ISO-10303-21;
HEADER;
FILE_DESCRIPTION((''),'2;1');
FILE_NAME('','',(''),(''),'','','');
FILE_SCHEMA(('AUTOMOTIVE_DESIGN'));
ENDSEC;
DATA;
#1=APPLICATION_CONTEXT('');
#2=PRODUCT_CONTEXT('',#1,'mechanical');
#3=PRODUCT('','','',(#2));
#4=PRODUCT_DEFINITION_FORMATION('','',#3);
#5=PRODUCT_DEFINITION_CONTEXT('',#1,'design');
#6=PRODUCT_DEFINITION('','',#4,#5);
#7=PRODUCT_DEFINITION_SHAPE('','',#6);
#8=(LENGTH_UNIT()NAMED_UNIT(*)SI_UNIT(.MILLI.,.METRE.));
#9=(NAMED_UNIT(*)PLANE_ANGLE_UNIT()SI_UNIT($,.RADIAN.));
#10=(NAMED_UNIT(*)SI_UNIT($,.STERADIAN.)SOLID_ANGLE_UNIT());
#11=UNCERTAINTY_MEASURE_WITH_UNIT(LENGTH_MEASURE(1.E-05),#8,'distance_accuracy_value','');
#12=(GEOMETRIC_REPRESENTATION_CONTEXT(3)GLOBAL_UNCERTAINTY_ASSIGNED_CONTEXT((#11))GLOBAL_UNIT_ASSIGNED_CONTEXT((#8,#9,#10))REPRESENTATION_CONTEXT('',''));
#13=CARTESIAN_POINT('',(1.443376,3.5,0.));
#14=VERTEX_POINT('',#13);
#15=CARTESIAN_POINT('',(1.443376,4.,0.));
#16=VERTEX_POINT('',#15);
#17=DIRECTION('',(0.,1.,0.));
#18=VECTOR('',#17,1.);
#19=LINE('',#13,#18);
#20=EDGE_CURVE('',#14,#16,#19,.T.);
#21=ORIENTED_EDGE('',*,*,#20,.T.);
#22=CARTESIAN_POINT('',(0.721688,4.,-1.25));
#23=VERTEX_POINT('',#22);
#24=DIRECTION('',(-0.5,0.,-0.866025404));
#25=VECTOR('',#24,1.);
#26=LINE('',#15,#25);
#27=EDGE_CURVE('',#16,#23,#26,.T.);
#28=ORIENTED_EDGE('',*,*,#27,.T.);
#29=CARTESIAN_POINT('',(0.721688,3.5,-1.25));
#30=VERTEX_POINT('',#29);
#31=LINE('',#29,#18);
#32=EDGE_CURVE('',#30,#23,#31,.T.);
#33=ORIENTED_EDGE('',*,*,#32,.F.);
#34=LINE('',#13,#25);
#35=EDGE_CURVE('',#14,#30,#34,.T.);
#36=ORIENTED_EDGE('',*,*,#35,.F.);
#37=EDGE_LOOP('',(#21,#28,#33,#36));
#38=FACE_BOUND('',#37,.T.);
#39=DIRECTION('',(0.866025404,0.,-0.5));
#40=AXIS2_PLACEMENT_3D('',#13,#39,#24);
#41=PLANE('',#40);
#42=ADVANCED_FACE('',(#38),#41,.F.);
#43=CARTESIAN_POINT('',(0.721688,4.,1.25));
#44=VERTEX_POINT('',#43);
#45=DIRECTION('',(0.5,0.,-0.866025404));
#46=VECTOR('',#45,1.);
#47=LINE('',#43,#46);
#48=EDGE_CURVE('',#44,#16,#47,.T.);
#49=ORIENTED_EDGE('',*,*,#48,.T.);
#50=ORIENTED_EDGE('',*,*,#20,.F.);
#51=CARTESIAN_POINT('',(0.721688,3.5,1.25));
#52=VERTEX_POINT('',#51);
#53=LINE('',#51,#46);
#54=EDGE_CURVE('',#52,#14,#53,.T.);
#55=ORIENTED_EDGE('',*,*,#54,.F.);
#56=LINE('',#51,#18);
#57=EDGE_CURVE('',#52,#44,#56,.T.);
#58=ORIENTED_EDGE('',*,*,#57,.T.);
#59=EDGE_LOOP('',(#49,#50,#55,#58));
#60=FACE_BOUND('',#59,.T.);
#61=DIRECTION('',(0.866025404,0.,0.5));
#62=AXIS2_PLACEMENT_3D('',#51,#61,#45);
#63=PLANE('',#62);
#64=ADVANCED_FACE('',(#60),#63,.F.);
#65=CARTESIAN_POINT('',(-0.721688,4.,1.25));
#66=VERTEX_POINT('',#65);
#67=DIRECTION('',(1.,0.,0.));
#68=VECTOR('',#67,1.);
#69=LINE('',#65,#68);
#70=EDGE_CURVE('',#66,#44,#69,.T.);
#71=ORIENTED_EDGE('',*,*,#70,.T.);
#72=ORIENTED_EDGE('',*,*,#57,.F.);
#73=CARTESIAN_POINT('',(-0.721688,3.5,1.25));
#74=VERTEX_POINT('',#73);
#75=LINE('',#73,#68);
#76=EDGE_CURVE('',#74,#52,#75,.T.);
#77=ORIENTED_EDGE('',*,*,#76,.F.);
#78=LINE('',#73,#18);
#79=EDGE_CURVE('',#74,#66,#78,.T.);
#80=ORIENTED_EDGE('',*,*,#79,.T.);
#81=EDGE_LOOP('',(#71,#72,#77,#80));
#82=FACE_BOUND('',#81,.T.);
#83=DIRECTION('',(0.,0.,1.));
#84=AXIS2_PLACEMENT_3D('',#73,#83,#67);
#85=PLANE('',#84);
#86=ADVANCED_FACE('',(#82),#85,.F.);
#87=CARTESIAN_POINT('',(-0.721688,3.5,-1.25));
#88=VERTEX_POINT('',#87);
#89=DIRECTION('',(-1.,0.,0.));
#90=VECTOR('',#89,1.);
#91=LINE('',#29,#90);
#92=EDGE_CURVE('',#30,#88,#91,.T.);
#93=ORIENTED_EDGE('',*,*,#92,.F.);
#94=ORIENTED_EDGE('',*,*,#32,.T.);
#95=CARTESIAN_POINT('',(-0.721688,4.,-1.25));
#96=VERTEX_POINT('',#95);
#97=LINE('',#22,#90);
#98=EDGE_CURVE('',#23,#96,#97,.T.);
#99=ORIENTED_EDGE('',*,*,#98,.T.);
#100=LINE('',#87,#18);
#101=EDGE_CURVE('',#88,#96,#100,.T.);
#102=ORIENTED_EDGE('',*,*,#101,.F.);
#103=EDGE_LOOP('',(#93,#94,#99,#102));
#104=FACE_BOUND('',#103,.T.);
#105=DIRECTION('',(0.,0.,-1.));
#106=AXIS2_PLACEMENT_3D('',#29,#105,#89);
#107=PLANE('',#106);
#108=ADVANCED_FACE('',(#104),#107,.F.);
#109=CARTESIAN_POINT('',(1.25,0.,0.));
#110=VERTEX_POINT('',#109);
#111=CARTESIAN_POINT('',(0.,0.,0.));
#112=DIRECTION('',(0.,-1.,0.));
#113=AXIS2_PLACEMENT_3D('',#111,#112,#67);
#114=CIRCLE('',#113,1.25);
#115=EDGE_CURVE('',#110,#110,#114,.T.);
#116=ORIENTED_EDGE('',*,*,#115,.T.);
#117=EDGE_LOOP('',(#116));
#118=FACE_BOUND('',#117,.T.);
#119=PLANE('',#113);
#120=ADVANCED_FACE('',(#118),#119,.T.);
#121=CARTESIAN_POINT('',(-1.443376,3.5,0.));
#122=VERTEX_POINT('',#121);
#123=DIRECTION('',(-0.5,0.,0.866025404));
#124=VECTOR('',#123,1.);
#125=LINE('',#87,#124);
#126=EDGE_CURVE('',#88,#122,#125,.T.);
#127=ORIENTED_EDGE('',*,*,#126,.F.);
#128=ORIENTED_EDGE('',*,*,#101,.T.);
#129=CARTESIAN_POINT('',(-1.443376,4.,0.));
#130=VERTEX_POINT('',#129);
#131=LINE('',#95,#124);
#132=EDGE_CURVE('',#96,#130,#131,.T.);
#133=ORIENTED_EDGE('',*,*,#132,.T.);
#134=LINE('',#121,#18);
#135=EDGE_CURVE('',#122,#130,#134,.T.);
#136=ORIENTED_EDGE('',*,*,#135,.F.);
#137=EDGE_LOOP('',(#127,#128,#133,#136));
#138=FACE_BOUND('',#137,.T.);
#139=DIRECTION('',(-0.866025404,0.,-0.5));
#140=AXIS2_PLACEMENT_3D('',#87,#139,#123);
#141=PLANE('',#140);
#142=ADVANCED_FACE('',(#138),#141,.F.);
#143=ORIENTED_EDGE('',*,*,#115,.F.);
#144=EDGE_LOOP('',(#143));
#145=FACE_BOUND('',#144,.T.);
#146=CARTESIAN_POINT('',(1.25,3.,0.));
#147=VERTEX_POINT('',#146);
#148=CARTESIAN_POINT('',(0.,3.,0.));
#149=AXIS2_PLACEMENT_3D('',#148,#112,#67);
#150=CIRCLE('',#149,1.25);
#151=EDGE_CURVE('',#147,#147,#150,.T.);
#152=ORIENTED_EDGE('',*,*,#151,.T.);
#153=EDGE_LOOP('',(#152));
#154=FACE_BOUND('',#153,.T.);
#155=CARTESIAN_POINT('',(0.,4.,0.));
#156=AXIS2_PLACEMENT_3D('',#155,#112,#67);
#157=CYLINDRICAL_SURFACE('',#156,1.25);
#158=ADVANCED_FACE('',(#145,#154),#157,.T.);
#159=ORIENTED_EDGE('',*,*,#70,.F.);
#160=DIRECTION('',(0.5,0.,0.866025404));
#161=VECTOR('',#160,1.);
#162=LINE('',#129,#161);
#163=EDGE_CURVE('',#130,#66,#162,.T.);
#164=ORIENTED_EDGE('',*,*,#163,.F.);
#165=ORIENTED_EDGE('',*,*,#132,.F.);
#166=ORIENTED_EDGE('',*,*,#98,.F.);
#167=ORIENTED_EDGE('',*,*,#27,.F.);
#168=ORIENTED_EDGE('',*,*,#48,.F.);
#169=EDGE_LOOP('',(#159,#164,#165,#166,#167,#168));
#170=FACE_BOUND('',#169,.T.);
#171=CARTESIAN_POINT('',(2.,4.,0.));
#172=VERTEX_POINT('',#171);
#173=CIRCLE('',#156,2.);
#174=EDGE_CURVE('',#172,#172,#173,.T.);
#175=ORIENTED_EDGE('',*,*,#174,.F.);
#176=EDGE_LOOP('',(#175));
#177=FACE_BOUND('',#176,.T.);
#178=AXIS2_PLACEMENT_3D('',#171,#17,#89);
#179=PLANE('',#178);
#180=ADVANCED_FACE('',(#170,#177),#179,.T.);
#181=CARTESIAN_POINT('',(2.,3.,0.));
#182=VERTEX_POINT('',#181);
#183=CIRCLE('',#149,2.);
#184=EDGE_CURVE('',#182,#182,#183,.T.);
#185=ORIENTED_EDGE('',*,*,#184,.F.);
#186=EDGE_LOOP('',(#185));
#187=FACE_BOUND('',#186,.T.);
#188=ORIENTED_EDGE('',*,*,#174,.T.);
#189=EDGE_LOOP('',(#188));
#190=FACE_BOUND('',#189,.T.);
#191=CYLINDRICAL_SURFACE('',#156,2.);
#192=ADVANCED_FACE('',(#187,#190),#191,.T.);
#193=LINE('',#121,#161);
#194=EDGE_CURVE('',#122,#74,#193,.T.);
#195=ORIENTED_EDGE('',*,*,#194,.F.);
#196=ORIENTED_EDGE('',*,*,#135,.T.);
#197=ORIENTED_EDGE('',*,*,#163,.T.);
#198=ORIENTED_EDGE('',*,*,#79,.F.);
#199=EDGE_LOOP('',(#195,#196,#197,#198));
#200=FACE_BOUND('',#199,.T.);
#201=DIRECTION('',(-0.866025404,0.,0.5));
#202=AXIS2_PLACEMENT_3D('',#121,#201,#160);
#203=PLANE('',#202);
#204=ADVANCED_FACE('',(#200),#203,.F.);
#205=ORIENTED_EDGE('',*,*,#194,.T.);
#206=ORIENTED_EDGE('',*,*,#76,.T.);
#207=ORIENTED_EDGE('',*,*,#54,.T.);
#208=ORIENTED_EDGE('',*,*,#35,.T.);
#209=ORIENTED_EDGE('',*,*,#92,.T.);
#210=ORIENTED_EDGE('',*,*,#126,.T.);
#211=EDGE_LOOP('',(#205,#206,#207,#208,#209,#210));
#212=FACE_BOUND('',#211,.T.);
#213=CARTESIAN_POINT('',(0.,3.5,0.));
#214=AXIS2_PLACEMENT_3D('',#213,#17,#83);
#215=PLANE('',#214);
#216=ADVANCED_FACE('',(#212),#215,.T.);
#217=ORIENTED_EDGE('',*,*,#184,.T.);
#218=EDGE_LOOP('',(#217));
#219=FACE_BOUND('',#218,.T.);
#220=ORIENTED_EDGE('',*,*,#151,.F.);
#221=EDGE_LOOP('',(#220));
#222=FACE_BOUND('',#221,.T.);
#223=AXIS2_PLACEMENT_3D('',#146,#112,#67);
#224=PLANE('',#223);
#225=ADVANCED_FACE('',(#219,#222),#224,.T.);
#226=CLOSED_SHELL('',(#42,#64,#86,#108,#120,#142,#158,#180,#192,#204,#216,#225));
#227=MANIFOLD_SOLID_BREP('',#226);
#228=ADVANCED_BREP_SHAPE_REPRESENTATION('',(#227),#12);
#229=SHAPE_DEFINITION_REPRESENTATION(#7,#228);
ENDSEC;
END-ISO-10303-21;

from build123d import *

# Parameters (mm, degrees)
CUT_EXTRUDE_1_DEPTH = 0.5


with BuildPart() as part:
    # Эскиз1 → Повернуть1 (revolve)
    with BuildSketch(Plane.XY):
        Polygon((0, 0), (1.25, 0), (1.25, 3), (2, 3), (2, 4), (0, 4), align=None)
    revolve(axis=Axis((0, 4, 0), (0, 1, 0)))

    # Эскиз2 → Вырез-Вытянуть1 (cut)
    with BuildSketch(Plane(origin=(0, 4, 0), x_dir=(1, 0, 0), z_dir=(0, 1, 0))):
        Polygon((1.443375673, 0), (0.721687836, 1.25), (-0.721687836, 1.25), (-1.443375673, 0), (-0.721687836, -1.25), (0.721687836, -1.25), align=None)
    extrude(amount=-CUT_EXTRUDE_1_DEPTH, mode=Mode.SUBTRACT)


solid = part.part
